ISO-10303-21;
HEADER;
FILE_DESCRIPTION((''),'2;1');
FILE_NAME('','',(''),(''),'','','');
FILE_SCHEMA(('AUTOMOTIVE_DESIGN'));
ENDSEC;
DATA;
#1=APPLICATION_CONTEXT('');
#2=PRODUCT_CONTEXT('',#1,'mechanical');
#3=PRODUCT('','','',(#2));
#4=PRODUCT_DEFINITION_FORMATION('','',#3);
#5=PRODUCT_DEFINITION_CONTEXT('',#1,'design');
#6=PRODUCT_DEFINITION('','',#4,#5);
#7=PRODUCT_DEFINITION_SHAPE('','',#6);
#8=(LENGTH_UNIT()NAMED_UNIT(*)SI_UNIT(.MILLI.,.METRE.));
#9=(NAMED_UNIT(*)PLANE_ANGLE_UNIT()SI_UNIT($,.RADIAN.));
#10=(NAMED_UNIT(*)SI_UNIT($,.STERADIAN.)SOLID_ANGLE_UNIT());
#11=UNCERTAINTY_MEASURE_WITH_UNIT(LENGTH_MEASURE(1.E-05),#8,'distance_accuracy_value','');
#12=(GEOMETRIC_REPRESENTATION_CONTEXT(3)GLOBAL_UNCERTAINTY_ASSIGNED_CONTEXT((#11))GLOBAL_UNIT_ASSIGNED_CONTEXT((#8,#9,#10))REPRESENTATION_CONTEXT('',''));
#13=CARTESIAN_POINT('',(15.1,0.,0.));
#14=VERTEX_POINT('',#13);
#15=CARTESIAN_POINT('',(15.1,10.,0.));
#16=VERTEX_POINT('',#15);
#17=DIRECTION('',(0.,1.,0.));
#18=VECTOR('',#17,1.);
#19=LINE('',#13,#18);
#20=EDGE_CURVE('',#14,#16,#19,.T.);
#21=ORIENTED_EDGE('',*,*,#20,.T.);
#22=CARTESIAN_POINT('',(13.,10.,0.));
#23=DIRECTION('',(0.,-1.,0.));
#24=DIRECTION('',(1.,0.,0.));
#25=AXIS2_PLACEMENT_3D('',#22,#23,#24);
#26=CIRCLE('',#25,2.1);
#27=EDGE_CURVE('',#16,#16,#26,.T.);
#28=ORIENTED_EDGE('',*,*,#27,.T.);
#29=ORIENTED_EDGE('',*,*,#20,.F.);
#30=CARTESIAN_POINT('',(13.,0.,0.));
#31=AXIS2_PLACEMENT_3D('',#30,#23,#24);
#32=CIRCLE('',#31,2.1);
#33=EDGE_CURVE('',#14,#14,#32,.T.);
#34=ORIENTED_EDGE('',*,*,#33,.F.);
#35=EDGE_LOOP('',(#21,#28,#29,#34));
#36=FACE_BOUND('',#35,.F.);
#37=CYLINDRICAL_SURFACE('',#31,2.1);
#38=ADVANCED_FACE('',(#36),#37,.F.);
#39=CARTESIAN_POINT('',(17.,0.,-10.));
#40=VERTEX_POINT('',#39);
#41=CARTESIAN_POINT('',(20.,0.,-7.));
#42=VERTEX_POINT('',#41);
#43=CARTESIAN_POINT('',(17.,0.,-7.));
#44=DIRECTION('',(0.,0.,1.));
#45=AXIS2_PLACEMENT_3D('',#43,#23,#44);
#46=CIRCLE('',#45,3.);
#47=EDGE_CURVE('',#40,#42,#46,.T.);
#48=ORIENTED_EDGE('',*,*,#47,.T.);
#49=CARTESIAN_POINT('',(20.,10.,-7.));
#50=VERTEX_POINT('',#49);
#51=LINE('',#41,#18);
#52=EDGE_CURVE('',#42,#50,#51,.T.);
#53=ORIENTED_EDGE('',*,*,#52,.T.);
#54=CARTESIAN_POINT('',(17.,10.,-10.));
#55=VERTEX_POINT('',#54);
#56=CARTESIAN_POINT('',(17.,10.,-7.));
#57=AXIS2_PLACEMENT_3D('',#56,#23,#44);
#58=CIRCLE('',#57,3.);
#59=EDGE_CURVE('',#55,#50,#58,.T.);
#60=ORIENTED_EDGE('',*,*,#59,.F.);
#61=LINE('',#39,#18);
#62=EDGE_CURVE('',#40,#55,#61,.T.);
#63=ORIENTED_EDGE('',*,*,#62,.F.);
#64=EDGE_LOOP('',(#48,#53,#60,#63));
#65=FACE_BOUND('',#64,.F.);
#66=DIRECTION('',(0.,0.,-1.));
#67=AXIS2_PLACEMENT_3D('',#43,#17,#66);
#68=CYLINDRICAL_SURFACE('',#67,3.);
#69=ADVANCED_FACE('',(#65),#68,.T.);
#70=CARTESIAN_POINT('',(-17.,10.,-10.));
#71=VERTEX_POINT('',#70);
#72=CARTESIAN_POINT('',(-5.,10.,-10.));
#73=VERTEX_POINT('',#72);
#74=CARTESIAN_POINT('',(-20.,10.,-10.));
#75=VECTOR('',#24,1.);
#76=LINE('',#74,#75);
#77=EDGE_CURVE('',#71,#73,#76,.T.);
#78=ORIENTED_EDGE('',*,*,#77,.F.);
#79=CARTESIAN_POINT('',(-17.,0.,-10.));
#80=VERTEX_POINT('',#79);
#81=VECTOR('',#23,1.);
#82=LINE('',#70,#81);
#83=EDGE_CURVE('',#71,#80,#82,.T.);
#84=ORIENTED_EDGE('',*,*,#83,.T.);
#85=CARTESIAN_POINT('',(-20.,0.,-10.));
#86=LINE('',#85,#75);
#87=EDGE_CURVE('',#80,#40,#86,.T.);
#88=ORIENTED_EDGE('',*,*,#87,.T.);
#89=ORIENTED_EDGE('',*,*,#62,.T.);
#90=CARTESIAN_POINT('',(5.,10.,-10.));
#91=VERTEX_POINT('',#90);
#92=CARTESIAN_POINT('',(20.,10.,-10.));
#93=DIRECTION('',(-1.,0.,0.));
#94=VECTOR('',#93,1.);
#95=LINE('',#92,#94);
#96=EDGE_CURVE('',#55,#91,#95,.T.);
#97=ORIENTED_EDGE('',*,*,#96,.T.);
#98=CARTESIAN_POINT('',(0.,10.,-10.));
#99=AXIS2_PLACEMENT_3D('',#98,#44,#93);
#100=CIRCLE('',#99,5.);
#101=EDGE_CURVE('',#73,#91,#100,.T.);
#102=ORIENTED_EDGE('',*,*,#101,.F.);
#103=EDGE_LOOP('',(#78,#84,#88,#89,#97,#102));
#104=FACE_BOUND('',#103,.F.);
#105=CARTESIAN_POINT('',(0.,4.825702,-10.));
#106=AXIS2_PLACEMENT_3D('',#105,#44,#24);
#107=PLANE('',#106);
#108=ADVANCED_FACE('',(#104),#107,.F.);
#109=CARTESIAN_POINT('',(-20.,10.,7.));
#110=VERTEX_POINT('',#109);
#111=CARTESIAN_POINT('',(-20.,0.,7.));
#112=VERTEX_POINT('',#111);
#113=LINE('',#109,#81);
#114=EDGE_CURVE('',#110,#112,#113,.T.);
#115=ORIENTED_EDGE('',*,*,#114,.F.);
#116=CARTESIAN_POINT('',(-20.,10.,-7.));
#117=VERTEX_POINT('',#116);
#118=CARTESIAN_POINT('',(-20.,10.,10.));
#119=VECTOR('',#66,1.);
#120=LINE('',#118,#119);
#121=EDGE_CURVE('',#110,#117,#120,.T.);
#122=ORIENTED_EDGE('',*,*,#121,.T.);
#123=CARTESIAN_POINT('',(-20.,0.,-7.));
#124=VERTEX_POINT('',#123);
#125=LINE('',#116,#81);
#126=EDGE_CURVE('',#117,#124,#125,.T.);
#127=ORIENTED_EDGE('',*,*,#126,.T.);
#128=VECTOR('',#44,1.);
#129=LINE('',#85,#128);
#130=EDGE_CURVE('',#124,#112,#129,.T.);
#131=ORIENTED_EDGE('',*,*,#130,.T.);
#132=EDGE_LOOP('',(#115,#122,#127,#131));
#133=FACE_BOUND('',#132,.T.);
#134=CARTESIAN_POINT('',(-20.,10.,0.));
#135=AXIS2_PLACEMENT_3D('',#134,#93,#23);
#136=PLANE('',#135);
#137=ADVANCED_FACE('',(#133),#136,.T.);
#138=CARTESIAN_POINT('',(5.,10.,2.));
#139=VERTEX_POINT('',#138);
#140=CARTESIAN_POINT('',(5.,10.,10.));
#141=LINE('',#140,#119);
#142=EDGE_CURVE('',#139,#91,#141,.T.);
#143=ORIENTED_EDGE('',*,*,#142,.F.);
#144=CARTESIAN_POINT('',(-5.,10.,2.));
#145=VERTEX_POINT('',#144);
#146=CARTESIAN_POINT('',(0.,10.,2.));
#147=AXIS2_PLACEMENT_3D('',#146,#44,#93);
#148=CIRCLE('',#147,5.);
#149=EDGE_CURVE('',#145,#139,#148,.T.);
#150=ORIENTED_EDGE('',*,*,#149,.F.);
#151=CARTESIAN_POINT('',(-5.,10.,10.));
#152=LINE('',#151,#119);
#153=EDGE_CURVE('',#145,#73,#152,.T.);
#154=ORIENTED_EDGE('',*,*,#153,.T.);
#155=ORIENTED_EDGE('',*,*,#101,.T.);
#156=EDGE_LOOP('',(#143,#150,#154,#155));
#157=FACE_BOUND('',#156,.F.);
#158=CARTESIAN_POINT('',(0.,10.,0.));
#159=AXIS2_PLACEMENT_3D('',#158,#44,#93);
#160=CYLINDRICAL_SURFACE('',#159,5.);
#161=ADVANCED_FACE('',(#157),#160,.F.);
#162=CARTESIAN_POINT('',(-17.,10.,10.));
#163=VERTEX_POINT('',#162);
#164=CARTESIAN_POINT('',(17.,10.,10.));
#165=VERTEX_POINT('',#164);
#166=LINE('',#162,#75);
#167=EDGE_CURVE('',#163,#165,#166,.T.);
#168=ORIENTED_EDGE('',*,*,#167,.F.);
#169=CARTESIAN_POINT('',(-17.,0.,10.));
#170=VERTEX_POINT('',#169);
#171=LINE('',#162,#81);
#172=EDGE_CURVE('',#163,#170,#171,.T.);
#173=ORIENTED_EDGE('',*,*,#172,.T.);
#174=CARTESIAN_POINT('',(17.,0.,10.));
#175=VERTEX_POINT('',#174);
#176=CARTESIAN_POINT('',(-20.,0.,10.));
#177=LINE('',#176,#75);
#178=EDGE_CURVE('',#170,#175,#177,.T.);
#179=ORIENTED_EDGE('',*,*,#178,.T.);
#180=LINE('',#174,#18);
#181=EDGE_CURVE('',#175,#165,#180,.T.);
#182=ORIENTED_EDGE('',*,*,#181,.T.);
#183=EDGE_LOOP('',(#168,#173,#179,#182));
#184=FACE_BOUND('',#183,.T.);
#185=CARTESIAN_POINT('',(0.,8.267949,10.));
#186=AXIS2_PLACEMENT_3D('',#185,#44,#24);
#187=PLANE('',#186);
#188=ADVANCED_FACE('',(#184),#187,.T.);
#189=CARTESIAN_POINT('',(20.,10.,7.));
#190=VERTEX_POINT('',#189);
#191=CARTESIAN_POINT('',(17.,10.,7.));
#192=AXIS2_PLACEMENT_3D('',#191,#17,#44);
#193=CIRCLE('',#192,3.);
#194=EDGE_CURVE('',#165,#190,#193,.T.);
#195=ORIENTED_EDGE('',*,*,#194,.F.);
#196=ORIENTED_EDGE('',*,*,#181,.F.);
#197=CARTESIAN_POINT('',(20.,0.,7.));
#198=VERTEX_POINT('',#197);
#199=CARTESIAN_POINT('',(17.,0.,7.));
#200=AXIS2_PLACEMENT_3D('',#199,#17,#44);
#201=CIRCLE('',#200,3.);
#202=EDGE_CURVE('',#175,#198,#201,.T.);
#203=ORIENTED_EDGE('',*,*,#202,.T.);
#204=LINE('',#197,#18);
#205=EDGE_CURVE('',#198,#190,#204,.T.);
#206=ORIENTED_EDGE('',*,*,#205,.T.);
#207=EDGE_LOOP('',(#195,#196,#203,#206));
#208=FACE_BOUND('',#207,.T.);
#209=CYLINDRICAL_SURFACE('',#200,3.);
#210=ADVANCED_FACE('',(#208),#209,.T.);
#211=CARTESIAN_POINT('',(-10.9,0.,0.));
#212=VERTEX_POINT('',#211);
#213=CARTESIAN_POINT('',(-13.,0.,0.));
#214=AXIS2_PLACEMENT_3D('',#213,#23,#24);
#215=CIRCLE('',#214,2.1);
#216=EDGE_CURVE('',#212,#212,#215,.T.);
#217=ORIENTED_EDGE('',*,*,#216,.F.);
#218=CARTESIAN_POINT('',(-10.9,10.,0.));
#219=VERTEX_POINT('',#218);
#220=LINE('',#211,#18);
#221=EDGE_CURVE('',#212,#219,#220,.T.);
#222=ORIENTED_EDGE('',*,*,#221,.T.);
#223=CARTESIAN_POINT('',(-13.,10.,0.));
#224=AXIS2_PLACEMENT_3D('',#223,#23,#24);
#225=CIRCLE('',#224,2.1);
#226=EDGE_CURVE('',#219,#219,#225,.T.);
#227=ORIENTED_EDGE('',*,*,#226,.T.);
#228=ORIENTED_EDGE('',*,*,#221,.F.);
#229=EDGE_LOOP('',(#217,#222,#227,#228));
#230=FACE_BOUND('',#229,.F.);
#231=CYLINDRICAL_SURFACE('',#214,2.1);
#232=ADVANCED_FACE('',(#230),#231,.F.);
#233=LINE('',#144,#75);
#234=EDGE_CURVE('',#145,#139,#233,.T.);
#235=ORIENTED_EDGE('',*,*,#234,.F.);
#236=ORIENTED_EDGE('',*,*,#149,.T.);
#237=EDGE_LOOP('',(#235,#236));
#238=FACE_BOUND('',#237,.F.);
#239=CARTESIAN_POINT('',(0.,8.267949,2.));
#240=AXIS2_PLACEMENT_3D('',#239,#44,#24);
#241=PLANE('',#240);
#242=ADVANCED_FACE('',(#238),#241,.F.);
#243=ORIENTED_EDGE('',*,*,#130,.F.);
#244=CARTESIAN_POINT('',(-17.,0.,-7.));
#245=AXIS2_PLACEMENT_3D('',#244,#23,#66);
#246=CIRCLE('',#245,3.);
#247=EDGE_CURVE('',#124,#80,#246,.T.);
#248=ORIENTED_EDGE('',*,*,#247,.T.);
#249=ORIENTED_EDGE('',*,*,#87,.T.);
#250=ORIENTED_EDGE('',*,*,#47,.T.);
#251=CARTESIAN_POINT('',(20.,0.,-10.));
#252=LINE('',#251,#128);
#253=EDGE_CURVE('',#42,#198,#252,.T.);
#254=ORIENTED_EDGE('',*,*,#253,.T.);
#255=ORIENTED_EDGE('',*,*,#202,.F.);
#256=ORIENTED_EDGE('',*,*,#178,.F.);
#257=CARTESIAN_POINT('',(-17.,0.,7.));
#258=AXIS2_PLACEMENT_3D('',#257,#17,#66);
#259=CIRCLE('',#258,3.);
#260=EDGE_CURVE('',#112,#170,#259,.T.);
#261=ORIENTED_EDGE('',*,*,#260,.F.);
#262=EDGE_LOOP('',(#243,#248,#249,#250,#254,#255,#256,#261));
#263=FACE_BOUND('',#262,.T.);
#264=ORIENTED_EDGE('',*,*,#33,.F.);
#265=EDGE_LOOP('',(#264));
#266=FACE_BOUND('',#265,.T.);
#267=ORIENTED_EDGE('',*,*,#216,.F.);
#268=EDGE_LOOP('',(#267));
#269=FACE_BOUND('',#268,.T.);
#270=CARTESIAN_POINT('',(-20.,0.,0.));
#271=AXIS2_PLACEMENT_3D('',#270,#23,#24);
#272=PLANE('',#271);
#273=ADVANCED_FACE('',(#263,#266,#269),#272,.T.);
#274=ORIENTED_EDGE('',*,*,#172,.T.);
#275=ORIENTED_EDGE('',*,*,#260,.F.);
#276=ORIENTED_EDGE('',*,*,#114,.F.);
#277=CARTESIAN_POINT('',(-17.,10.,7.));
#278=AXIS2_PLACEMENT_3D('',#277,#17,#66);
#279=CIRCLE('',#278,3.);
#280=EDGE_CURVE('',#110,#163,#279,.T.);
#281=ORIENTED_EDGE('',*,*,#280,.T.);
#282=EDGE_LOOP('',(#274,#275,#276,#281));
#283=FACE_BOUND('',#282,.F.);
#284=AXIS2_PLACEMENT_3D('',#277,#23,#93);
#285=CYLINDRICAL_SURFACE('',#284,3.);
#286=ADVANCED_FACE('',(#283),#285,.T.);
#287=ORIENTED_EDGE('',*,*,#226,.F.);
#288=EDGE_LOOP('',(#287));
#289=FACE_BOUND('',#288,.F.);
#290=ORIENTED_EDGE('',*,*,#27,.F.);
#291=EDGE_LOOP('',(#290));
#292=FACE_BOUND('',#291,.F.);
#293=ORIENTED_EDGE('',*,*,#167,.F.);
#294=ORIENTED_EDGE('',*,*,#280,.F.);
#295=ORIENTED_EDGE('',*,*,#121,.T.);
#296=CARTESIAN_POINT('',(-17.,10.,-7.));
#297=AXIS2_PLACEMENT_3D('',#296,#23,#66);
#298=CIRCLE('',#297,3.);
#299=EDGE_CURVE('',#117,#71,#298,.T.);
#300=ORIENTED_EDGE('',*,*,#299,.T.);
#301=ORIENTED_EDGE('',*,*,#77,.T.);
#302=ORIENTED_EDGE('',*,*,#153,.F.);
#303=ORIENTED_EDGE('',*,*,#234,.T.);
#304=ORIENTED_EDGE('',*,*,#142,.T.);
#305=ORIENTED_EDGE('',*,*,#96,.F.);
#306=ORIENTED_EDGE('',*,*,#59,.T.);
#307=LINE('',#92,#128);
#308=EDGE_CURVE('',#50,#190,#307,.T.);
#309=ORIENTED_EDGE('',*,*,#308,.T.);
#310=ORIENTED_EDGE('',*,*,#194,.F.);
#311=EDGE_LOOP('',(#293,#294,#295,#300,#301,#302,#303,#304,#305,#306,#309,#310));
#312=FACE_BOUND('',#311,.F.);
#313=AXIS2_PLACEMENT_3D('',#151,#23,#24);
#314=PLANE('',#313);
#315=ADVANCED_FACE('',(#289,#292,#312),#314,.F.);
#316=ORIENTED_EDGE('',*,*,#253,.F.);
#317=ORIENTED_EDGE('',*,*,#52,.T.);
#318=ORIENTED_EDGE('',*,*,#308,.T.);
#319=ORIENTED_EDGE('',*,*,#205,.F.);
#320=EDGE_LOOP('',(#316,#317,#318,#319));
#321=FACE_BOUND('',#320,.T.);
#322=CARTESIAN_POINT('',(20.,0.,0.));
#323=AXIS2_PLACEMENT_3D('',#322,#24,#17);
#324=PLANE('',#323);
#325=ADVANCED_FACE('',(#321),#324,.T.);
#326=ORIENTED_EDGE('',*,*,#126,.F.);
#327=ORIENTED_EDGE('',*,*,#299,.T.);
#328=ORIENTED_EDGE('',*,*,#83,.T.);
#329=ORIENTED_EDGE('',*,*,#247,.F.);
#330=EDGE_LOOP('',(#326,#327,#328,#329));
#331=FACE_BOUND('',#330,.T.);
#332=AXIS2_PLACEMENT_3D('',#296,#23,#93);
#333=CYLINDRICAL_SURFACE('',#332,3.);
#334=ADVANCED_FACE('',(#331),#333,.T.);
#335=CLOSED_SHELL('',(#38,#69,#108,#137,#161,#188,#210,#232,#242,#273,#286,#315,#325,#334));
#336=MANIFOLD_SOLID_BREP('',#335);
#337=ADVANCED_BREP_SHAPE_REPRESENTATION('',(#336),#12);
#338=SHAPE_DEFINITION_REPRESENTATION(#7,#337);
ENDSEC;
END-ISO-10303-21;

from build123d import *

# Parameters (mm, degrees)
PAD_DEPTH    = 10
SKETCH001_R  = 2.1
POCKET_DEPTH = 10
FILLET_R     = 3
PAD001_DEPTH = 8


with BuildPart() as part:
    # Sketch → Pad (new body, symmetric)
    with BuildSketch(Plane.XY):
        with BuildLine():
            Line((-20, 10), (-20, 0))
            Line((-20, 0), (20, 0))
            Line((20, 0), (20, 10))
            Line((20, 10), (5, 10))
            ThreePointArc((-5, 10), (0, 5), (5, 10))
            Line((-20, 10), (-5, 10))
        make_face()
    extrude(amount=PAD_DEPTH, both=True)

    # Sketch001 → Pocket (cut)
    with BuildSketch(Plane.XZ):
        with Locations((-13, 0)):
            Circle(SKETCH001_R)
        with Locations((13, 0)):
            Circle(SKETCH001_R)
    extrude(amount=-POCKET_DEPTH, mode=Mode.SUBTRACT)

    # Fillet
    fillet_edges = [part.edges().sort_by_distance(p)[0] for p in [
        (-20, 5, -10),
        (20, 5, -10),
        (-20, 5, 10),
        (20, 5, 10),
    ]]
    fillet(fillet_edges, radius=FILLET_R)

    # Sketch002 → Pad001 (new body)
    with BuildSketch(Plane.XY.offset(10)):
        with BuildLine():
            ThreePointArc((-5, 10), (0, 5), (5, 10))
            Line((-5, 10), (5, 10))
        make_face()
    extrude(amount=-PAD001_DEPTH)


solid = part.part
